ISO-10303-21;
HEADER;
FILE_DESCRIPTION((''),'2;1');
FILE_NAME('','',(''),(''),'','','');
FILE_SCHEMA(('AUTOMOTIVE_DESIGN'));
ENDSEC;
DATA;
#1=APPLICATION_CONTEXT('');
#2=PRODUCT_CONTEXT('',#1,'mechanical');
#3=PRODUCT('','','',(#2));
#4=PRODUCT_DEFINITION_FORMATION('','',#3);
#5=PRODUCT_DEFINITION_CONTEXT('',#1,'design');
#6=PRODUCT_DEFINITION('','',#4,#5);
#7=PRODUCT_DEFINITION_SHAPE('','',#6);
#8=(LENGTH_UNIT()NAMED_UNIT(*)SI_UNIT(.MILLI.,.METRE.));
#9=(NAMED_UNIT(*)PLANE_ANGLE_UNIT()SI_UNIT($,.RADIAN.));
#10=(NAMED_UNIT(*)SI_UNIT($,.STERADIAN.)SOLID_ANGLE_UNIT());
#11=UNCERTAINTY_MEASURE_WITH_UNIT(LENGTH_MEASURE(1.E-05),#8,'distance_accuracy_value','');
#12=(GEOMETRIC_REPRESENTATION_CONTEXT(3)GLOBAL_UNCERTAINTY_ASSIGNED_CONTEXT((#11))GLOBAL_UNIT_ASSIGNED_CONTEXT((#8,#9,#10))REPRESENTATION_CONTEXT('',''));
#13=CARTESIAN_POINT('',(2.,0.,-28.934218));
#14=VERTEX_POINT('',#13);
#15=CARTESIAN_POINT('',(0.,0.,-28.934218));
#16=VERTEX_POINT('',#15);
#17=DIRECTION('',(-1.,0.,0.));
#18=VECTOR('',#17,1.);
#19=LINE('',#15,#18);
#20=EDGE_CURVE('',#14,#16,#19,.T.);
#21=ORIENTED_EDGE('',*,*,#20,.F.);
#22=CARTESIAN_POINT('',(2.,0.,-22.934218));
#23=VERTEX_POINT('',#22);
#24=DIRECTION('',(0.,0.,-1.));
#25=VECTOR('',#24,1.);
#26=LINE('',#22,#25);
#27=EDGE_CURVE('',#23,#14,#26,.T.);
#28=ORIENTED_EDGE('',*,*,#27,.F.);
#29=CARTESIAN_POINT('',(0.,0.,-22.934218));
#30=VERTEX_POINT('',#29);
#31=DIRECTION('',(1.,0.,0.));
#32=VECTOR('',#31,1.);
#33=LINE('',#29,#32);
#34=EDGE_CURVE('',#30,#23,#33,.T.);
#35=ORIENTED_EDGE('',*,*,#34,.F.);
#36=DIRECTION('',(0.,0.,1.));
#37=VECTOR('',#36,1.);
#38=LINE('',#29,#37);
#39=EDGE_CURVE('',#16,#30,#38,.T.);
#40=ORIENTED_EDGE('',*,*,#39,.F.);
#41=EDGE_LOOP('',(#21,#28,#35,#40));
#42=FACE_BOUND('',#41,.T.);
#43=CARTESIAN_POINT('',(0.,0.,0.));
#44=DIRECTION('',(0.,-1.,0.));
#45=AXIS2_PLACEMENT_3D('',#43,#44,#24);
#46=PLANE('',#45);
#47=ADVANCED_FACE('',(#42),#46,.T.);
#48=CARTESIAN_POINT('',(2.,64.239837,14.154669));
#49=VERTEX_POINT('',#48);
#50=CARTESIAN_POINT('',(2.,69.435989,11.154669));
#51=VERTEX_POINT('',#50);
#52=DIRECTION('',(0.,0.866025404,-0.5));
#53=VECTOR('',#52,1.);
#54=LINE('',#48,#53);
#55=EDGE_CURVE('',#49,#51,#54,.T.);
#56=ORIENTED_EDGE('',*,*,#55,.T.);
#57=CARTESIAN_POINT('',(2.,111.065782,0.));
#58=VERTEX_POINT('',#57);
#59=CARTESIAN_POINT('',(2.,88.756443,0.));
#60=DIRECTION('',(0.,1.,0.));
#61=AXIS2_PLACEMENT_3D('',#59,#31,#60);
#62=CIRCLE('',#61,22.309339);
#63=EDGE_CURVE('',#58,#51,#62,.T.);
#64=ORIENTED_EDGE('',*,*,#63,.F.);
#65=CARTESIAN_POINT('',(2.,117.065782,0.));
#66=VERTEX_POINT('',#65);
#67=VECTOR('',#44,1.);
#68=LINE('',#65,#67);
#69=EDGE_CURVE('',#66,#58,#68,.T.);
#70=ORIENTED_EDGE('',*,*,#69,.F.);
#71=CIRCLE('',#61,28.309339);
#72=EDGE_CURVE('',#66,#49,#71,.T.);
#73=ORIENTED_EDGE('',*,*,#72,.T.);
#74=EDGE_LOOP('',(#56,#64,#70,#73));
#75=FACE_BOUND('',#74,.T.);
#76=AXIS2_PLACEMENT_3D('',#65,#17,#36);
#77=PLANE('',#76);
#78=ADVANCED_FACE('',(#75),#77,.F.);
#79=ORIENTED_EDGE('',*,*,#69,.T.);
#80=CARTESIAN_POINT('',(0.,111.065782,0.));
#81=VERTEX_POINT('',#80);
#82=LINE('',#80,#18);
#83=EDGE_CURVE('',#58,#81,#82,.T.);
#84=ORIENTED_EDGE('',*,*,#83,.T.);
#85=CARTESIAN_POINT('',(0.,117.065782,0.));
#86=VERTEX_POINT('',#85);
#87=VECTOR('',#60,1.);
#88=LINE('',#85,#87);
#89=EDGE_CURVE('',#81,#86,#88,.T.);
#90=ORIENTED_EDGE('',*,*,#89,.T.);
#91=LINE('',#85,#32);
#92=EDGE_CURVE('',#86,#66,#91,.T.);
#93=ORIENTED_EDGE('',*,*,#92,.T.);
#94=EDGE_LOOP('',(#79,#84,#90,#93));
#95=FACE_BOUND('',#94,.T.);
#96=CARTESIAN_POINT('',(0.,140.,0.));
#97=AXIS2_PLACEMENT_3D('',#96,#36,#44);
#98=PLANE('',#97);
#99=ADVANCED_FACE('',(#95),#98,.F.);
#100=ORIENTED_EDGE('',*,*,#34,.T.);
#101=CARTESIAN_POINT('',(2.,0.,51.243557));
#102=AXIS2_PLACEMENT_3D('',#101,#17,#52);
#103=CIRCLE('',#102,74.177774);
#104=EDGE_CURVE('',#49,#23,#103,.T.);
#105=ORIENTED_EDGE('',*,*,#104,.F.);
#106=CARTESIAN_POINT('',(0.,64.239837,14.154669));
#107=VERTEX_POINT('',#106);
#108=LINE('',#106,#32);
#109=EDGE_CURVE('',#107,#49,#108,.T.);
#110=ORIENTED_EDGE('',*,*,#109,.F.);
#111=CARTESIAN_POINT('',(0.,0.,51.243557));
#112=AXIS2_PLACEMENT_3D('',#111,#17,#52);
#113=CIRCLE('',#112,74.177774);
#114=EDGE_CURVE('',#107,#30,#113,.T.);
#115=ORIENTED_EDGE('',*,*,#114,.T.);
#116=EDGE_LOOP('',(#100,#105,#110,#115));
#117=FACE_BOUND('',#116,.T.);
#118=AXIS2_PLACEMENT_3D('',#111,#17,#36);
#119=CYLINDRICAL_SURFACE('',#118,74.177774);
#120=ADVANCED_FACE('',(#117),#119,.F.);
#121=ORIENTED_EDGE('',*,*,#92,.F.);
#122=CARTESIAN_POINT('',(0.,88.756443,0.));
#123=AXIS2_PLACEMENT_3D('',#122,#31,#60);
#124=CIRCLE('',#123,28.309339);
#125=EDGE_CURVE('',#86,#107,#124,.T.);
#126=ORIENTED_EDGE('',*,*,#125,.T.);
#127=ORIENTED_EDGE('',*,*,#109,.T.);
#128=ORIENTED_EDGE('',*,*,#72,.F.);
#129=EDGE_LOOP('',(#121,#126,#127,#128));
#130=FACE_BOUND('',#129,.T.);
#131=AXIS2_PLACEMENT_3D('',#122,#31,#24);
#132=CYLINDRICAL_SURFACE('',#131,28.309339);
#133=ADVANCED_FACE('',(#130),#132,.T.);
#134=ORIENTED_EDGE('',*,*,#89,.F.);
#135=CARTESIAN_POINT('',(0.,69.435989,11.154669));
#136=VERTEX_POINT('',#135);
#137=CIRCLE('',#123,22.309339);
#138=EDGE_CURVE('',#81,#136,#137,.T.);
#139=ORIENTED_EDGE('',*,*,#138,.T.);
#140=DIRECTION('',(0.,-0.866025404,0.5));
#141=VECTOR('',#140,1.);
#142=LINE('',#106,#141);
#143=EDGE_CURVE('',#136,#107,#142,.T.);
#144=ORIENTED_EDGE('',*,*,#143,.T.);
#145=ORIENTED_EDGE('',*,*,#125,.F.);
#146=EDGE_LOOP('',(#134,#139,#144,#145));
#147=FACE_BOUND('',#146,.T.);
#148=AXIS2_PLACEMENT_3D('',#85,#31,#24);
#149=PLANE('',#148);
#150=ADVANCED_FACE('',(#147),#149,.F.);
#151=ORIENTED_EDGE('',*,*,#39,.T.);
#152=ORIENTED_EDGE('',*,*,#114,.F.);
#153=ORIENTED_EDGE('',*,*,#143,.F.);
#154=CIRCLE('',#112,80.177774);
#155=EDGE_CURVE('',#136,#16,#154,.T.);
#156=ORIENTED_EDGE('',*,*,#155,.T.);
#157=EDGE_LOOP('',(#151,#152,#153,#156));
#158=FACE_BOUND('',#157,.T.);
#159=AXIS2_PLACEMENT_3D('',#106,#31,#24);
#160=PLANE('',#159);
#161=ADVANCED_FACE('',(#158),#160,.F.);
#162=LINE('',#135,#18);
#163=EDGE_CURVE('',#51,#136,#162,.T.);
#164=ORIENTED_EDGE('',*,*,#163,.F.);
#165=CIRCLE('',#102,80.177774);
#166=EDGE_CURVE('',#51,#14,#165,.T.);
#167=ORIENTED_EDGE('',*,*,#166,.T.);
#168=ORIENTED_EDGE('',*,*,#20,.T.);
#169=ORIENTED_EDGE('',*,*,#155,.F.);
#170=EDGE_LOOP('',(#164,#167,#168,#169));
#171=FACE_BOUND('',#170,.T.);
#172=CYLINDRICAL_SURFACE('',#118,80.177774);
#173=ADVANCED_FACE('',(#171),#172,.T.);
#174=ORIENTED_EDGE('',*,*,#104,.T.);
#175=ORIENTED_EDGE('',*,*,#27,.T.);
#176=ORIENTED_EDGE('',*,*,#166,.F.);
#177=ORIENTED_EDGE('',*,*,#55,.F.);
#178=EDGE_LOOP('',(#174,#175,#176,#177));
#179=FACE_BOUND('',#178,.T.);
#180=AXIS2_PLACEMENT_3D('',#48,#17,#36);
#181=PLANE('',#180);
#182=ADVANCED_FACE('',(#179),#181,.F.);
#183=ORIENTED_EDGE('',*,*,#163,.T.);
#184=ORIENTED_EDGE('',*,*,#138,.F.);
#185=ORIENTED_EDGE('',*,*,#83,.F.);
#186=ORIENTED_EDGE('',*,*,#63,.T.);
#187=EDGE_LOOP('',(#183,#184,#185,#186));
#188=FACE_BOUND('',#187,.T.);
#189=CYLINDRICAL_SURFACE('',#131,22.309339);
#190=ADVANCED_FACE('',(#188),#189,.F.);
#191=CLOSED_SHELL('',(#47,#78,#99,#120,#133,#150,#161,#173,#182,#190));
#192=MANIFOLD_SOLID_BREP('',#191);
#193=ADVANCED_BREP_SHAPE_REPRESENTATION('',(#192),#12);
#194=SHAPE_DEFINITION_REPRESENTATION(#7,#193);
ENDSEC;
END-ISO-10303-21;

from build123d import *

# Parameters (mm, degrees)
SKETCH2_W = 2
SKETCH2_H = 6


with BuildPart() as part:
    # Sweep1: sweep along a path in Sketch1
    with BuildLine(Plane(origin=(0, 0, 0), x_dir=(0, 0, -1), z_dir=(1, 0, 0))) as sweep1_path:
        ThreePointArc((0, 117), (-27.281180678, 96.066413802), (-14.121778265, 64.296806022))
        ThreePointArc((-14.121778265, 64.296806022), (13.053249492, 37.121778265), (23, 0))
    # Sketch2 → Sweep1 (sweep)
    with BuildSketch(Plane(origin=(0, 0, 0), x_dir=(1, 0, 0), z_dir=(0, 1, 0))):
        with Locations((1, 25.934217786)):
            Rectangle(SKETCH2_W, SKETCH2_H)
    sweep(path=sweep1_path.line)


solid = part.part
